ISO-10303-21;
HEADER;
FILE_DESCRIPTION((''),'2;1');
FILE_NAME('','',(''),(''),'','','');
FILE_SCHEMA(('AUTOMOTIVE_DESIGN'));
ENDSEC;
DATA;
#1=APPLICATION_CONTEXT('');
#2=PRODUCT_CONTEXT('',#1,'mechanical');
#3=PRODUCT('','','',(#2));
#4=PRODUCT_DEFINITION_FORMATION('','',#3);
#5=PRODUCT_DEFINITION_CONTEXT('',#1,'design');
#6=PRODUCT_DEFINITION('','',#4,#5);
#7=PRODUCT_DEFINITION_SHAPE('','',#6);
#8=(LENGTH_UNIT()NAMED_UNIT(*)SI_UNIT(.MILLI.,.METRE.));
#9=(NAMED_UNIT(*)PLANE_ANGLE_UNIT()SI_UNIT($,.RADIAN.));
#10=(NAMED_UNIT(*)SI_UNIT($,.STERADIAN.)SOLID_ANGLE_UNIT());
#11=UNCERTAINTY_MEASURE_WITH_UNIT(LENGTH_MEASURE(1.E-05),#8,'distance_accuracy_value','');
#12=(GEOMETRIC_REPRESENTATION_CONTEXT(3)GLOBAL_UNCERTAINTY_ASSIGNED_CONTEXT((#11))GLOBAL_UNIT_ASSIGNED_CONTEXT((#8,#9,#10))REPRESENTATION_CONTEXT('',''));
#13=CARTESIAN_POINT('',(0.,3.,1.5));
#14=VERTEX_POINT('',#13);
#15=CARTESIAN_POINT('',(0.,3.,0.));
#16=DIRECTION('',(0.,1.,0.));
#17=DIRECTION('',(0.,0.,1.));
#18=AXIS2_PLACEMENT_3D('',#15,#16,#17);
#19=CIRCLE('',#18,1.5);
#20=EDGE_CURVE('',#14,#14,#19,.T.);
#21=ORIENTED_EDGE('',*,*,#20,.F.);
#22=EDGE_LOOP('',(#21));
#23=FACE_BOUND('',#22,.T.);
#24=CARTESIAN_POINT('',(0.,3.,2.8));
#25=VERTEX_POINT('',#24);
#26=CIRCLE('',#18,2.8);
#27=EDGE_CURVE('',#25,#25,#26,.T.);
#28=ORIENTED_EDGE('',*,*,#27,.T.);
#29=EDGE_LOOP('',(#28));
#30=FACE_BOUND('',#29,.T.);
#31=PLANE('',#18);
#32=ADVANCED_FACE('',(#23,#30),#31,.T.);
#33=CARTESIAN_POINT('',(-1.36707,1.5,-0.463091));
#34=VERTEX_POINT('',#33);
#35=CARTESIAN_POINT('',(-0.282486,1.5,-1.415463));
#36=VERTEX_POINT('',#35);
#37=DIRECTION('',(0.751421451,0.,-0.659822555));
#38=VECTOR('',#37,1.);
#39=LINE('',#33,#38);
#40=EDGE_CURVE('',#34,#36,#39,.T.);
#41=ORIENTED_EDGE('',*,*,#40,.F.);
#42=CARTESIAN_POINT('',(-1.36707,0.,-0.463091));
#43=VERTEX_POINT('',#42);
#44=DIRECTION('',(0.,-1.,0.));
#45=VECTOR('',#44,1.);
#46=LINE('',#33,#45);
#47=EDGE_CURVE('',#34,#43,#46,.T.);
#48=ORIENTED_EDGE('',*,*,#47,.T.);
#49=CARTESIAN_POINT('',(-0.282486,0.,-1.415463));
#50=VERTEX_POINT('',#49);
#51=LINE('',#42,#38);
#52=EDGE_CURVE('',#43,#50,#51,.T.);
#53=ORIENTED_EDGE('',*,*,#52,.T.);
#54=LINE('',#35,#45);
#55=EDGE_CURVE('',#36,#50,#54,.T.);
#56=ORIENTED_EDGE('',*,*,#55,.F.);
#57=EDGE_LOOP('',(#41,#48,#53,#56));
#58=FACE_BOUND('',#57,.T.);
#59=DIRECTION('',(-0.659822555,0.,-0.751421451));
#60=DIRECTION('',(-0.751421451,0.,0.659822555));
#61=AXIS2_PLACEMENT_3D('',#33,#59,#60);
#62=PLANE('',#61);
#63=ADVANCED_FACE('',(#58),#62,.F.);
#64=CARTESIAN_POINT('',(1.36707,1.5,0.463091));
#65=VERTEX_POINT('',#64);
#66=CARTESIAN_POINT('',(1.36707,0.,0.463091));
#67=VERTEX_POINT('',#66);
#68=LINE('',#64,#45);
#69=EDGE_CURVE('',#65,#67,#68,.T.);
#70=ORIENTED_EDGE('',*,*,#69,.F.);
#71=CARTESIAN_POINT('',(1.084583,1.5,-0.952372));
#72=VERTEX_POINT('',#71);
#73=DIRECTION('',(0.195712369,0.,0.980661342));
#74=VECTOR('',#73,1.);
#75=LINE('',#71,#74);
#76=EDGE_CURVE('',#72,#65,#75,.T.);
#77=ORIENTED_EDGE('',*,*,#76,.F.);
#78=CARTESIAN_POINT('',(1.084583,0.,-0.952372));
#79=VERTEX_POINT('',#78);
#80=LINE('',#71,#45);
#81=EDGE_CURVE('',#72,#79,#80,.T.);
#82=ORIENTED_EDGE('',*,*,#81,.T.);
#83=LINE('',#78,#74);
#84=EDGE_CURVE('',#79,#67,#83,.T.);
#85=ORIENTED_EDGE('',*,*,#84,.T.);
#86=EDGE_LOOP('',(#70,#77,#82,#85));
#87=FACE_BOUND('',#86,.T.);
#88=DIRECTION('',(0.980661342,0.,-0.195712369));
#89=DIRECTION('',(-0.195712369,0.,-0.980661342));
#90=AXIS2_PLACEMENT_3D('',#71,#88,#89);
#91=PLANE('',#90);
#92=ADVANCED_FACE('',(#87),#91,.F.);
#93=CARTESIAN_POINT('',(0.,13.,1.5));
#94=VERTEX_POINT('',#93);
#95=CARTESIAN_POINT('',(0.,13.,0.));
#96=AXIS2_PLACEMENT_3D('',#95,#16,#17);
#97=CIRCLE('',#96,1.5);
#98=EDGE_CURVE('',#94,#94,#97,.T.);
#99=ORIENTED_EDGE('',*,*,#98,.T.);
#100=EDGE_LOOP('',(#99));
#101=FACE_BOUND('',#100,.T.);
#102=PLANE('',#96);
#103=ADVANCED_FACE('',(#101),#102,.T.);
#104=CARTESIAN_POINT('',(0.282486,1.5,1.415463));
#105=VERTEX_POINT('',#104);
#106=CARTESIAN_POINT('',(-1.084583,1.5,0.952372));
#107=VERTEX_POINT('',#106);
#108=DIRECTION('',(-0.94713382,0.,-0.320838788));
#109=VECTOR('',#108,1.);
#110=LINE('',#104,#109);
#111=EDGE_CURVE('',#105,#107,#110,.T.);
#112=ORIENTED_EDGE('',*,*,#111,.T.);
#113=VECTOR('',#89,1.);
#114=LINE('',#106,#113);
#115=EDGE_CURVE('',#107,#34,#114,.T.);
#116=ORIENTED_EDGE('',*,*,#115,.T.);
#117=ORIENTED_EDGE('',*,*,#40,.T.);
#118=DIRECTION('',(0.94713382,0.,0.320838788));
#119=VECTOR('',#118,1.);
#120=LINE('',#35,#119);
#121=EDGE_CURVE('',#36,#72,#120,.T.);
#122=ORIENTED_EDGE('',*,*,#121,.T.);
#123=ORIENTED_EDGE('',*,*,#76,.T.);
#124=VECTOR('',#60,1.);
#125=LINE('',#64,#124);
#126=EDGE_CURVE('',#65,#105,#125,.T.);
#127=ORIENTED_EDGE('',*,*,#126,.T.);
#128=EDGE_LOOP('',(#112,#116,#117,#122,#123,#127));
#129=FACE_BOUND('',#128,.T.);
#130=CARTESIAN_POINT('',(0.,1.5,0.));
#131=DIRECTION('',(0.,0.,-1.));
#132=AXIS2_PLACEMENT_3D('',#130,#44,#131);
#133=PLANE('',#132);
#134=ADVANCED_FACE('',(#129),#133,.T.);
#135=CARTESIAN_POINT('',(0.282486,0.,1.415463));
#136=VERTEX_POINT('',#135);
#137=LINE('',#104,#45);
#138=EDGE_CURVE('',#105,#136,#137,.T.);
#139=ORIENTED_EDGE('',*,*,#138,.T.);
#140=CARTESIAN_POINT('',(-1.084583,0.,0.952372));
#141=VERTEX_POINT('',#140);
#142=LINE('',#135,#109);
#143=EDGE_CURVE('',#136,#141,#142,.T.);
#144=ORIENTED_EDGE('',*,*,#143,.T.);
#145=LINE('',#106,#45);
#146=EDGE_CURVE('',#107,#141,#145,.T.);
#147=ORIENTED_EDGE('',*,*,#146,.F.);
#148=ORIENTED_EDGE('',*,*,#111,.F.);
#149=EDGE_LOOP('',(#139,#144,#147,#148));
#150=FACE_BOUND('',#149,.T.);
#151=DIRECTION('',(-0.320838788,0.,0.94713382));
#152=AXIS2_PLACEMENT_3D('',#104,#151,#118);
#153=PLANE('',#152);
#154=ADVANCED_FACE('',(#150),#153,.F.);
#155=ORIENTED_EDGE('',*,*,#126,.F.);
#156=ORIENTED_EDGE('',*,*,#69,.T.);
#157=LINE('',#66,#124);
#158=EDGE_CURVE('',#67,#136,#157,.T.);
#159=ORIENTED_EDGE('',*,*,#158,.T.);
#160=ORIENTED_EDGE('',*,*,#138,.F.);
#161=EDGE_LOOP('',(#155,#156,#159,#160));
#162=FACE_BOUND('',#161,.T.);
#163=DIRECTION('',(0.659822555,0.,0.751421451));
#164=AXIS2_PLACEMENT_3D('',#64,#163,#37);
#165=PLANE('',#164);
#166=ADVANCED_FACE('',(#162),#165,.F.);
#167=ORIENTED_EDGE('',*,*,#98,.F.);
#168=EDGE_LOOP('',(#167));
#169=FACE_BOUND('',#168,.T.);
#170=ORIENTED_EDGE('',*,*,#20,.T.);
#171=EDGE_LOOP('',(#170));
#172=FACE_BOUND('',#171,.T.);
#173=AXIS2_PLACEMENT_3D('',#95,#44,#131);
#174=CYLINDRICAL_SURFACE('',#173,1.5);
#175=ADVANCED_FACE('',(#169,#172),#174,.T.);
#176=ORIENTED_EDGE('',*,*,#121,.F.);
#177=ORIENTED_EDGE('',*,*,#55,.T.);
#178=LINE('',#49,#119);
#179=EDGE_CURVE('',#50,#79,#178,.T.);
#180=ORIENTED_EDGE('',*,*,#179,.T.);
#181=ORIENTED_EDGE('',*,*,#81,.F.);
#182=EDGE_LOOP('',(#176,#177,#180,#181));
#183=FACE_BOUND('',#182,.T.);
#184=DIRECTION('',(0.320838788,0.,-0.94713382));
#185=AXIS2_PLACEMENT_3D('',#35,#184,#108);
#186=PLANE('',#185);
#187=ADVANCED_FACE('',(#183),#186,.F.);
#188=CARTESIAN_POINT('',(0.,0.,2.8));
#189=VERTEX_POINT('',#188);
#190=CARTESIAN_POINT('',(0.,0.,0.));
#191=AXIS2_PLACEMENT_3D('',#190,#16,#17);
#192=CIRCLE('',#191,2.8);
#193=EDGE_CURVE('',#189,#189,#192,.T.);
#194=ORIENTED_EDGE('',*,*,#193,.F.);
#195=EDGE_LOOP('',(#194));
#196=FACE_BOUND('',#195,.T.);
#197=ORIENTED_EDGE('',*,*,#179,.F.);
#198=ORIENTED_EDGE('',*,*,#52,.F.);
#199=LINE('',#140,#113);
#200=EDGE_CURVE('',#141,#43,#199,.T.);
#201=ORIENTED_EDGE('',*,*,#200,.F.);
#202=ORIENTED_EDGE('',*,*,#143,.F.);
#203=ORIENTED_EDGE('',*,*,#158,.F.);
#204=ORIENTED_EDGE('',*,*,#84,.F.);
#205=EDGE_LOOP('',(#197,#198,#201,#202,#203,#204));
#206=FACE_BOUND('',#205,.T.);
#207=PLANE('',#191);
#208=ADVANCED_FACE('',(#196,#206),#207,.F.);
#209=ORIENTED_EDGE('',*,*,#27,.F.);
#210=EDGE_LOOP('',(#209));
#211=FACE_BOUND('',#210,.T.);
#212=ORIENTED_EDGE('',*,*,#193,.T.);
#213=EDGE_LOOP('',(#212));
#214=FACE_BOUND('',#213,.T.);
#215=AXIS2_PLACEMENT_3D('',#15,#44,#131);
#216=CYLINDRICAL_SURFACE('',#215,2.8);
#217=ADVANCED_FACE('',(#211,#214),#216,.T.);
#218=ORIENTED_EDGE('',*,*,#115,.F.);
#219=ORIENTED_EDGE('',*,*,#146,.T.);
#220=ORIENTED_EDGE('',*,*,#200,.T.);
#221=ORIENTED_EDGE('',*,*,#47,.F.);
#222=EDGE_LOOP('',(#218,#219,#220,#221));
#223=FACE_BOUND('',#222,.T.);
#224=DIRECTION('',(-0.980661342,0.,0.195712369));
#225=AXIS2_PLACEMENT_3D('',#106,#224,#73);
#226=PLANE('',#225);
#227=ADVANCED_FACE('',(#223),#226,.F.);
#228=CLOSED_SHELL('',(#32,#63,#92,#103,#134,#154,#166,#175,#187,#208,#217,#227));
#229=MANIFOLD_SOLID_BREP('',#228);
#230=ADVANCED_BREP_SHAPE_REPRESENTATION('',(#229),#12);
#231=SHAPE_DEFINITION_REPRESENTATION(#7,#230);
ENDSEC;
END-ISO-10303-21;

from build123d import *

# Parameters (mm, degrees)
SKETCH_1_R          = 2.8
EXTRUDE_1_DEPTH     = 3
SKETCH_2_R          = 1.5
EXTRUDE_2_DEPTH     = 10
CUT_EXTRUDE_1_DEPTH = 1.5


with BuildPart() as part:
    # 草图1 → 凸台-拉伸1 (new body)
    with BuildSketch(Plane(origin=(0, 0, 0), x_dir=(1, 0, 0), z_dir=(0, 1, 0))):
        with Locations(Location((0, 0, 0), (0, 0, 270))):
            Circle(SKETCH_1_R)
    extrude(amount=EXTRUDE_1_DEPTH)

    # 草图2 → 凸台-拉伸2 (add)
    with BuildSketch(Plane(origin=(0, 3, 0), x_dir=(1, 0, 0), z_dir=(0, 1, 0))):
        with Locations(Location((0, 0, 0), (0, 0, 270))):
            Circle(SKETCH_2_R)
    extrude(amount=EXTRUDE_2_DEPTH)

    # 草图3 → 切除-拉伸1 (cut)
    with BuildSketch(Plane.XZ):
        Polygon((1.084583442, -0.952371824), (1.367069914, 0.463090901), (0.282486472, 1.415462725), (-1.084583442, 0.952371824), (-1.367069914, -0.463090901), (-0.282486472, -1.415462725), align=None)
    extrude(amount=-CUT_EXTRUDE_1_DEPTH, mode=Mode.SUBTRACT)


solid = part.part
